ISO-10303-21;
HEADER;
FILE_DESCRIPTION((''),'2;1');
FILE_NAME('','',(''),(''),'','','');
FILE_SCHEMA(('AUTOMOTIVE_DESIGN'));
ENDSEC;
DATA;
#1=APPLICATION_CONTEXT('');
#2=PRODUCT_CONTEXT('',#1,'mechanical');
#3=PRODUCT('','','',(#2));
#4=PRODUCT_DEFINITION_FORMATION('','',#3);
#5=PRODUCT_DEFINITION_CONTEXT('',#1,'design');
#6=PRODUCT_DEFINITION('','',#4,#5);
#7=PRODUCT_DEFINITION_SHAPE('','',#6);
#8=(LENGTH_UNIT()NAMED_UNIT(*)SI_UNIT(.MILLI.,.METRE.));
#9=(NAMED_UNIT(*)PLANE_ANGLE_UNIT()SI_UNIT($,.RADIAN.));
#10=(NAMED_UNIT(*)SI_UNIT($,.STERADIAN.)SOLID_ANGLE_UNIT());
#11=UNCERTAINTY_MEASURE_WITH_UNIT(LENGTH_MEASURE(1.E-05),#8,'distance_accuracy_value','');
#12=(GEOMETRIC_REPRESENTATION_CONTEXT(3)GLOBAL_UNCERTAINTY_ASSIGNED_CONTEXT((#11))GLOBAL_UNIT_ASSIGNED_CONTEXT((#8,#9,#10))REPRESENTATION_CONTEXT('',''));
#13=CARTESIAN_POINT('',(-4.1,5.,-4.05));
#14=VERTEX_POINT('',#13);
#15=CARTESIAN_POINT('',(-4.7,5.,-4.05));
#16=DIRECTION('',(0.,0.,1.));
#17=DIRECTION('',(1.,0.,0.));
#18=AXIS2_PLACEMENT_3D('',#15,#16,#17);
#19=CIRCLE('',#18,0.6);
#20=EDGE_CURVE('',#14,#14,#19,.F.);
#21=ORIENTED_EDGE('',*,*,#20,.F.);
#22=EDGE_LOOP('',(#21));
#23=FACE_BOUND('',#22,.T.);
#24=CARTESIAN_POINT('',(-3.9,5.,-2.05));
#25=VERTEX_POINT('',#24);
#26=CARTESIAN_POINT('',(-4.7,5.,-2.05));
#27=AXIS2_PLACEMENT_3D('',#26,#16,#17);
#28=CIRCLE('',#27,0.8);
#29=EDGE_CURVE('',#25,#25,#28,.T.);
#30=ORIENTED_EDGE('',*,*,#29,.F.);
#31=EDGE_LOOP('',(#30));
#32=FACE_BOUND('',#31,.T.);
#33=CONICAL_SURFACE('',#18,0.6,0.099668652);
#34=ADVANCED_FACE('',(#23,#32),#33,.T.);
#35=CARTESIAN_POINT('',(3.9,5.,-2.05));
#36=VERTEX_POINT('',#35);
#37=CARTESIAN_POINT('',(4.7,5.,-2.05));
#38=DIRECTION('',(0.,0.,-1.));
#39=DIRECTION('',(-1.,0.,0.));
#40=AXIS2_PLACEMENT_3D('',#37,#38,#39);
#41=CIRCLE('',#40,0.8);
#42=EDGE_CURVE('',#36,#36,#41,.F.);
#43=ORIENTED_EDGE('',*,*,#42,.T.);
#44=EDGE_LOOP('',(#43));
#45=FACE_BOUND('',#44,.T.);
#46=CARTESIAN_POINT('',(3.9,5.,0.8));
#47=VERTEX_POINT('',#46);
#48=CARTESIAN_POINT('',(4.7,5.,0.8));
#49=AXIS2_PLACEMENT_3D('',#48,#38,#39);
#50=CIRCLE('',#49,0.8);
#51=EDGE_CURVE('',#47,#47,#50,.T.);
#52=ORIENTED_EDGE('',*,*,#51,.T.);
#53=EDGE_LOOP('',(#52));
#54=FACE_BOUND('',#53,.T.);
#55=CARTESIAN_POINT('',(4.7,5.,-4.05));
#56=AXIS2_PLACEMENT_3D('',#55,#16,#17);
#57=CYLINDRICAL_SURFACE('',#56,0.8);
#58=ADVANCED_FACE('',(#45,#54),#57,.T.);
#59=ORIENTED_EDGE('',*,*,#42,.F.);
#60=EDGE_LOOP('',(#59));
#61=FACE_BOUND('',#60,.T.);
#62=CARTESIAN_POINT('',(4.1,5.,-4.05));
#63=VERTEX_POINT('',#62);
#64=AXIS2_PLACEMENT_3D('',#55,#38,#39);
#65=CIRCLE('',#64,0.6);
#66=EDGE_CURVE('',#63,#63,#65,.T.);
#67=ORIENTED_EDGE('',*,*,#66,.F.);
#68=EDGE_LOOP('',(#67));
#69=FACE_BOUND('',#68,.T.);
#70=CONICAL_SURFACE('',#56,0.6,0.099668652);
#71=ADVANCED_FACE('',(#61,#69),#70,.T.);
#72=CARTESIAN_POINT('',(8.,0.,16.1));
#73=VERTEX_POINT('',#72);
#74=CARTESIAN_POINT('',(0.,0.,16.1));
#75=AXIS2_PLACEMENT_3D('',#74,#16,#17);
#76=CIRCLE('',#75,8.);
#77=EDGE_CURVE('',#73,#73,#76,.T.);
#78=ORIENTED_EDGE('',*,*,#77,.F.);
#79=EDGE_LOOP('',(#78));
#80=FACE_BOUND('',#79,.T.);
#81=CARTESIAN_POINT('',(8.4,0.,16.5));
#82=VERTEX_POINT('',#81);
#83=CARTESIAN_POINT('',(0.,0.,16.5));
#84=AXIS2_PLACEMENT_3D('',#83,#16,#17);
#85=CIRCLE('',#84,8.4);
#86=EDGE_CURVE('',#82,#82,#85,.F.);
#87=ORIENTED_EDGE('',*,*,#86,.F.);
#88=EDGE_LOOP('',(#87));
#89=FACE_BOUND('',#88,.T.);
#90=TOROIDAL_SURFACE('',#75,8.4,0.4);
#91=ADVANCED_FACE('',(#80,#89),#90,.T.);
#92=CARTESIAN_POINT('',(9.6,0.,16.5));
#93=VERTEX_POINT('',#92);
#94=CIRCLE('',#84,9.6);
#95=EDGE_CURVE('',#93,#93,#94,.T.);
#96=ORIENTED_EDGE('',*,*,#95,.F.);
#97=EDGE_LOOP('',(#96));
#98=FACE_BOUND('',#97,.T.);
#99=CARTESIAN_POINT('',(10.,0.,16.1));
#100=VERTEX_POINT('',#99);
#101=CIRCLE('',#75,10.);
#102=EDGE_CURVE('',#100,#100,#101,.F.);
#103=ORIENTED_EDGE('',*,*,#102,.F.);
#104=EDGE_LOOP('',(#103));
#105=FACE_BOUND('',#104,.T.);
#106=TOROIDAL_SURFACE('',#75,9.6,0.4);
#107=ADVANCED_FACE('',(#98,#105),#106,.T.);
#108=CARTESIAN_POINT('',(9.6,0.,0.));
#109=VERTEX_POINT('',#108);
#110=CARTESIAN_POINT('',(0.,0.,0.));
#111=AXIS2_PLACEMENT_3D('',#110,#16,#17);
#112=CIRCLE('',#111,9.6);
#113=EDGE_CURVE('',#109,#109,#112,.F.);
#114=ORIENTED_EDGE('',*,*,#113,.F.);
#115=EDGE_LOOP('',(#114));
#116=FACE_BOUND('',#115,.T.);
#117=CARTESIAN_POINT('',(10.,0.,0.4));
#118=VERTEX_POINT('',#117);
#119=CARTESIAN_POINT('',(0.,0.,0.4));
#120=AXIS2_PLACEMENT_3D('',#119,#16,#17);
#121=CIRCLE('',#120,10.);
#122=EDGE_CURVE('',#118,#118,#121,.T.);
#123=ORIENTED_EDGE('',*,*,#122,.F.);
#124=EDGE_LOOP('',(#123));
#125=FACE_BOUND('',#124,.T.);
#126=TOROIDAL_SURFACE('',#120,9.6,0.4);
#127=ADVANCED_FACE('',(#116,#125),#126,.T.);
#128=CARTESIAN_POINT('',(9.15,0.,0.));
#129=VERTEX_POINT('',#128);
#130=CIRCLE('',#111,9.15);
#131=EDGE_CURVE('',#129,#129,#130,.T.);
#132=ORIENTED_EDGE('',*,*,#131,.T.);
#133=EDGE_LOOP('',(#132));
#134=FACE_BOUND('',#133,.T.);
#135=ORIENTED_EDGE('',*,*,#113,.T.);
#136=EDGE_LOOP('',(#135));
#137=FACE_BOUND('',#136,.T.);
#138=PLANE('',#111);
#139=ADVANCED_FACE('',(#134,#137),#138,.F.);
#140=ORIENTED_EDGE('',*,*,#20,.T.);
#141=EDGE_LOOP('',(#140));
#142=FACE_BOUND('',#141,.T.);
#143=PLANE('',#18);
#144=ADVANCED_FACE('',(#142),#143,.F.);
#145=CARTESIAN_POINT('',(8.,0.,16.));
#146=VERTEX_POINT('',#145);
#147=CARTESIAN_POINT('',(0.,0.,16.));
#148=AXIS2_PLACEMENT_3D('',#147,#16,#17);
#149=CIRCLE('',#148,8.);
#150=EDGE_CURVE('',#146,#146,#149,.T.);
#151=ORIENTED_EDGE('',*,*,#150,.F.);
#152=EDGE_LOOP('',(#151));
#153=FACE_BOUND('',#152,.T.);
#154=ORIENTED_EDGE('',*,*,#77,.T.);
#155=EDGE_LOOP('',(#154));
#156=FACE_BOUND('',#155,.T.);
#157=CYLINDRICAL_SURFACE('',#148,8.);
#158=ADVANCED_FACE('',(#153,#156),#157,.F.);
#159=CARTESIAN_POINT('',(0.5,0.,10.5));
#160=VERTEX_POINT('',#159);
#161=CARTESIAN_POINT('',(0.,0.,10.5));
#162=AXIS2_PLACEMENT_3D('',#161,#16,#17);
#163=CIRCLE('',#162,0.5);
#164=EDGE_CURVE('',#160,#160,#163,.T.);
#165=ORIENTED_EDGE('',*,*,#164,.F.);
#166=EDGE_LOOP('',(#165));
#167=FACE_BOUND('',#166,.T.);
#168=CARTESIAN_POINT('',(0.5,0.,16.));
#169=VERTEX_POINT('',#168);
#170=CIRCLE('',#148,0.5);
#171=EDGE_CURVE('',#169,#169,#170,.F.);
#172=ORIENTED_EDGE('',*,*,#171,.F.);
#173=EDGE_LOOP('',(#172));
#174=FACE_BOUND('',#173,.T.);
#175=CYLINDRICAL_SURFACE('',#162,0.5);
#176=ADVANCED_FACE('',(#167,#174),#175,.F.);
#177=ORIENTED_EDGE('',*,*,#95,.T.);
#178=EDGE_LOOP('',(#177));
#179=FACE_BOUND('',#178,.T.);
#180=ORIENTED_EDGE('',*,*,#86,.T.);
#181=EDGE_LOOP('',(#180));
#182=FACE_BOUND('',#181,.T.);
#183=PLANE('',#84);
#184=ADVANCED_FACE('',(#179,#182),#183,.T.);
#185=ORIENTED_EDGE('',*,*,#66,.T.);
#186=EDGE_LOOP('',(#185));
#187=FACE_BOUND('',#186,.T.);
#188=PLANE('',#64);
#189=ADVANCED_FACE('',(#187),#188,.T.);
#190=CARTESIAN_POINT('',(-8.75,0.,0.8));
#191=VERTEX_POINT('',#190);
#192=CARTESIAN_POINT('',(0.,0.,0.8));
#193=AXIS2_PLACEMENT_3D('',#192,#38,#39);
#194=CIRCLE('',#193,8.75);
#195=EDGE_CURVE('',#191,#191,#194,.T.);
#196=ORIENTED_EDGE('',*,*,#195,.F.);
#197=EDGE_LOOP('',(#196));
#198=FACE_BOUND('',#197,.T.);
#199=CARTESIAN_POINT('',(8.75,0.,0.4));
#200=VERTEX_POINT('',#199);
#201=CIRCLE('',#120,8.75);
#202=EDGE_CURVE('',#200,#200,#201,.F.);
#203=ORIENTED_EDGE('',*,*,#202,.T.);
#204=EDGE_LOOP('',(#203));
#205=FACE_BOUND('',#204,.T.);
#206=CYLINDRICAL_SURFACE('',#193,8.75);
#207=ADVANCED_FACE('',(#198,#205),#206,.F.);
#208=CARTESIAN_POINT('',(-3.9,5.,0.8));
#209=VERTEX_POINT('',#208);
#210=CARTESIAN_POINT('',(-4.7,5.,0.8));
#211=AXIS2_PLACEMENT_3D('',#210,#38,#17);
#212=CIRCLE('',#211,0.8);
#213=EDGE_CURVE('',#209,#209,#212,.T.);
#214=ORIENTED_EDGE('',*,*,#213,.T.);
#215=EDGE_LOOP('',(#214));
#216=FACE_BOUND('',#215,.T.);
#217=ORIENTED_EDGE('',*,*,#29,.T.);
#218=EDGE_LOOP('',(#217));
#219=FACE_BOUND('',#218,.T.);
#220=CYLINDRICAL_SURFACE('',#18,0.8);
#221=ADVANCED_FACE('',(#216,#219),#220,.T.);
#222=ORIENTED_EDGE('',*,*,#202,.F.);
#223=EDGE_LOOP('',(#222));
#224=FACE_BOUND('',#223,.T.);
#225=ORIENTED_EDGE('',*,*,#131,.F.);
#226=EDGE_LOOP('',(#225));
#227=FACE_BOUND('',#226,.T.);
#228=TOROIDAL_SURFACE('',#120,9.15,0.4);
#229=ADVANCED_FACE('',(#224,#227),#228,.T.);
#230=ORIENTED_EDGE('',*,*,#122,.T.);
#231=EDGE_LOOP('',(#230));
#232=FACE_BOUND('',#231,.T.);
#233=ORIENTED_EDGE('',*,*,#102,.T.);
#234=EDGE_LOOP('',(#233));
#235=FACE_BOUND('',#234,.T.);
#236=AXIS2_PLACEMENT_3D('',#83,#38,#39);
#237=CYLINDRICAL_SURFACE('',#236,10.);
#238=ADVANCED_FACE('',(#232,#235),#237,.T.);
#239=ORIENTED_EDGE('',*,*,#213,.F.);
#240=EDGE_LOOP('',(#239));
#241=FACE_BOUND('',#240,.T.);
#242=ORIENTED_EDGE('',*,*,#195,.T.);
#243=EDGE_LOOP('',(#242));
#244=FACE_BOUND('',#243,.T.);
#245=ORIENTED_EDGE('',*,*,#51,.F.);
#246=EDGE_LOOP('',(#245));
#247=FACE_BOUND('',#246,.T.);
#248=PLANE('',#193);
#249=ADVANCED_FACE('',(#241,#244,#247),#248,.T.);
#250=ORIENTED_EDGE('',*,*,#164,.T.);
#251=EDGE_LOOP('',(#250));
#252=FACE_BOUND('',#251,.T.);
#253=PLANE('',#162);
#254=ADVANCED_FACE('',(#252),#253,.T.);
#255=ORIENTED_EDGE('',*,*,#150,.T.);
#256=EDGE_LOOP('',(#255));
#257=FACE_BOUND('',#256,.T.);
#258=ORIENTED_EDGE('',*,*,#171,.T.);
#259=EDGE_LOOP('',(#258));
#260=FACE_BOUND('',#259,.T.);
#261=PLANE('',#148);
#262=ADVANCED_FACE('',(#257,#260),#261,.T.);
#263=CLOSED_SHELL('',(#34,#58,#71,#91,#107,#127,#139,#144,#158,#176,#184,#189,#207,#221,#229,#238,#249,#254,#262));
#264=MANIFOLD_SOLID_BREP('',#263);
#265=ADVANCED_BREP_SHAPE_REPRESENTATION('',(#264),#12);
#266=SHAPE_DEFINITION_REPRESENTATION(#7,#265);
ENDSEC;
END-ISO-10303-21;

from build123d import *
from OCP.BRepFilletAPI import BRepFilletAPI_MakeChamfer

# Parameters (mm, degrees)
SKETCH_1_R          = 10
EXTRUDE_1_DEPTH     = 16.5
SKETCH_2_R          = 0.5
CUT_EXTRUDE_1_DEPTH = 6
SKETCH_3_R          = 8
CUT_EXTRUDE_2_DEPTH = 0.5
SKETCH_4_R          = 8.75
CUT_EXTRUDE_3_DEPTH = 0.8
SKETCH_5_R          = 0.8
EXTRUDE_2_DEPTH     = 4.85
CHAMFER_1_SIZE      = 2
CHAMFER_1_SIZE2     = 0.2
FILLET_1_R          = 0.4


with BuildPart() as part:
    # Эскиз1 → Бобышка-Вытянуть1 (new body)
    with BuildSketch(Plane.XY):
        Circle(SKETCH_1_R)
    extrude(amount=EXTRUDE_1_DEPTH)

    # Эскиз2 → Вырез-Вытянуть1 (cut)
    with BuildSketch(Plane.XY.offset(16.5)):
        Circle(SKETCH_2_R)
    extrude(amount=-CUT_EXTRUDE_1_DEPTH, mode=Mode.SUBTRACT)

    # Эскиз3 → Вырез-Вытянуть2 (cut)
    with BuildSketch(Plane.XY.offset(16.5)):
        Circle(SKETCH_3_R)
    extrude(amount=-CUT_EXTRUDE_2_DEPTH, mode=Mode.SUBTRACT)

    # Эскиз4 → Вырез-Вытянуть3 (cut)
    with BuildSketch(Plane(origin=(0, 0, 0), x_dir=(-1, 0, 0), z_dir=(0, 0, -1))):
        Circle(SKETCH_4_R)
    extrude(amount=-CUT_EXTRUDE_3_DEPTH, mode=Mode.SUBTRACT)

    # Эскиз5 → Бобышка-Вытянуть2 (add)
    with BuildSketch(Plane(origin=(0, 0, 0.8), x_dir=(-1, 0, 0), z_dir=(0, 0, -1))):
        with Locations((-4.7, 5)):
            Circle(SKETCH_5_R)
        with Locations(Location((4.7, 5, 0), (0, 0, 180))):
            Circle(SKETCH_5_R)
    extrude(amount=EXTRUDE_2_DEPTH)

    # Фаска1: one chamfer whose edges measure the first distance from different faces: ONE call of the kernel's chamfer builder (chamfer() names one face for all edges)
    chamfer_1_edges_1 = [part.edges().sort_by_distance(p)[0] for p in [
        (5.5, 5, -4.05),
    ]]
    chamfer_1_side_1 = [part.faces().sort_by_distance(p)[0] for p in [
        (5.5, 5, -1.625),
    ]]
    chamfer_1_edges_2 = [part.edges().sort_by_distance(p)[0] for p in [
        (-5.5, 5, -4.05),
    ]]
    chamfer_1_side_2 = [part.faces().sort_by_distance(p)[0] for p in [
        (-5.5, 5, -1.625),
    ]]
    chamfer_1 = BRepFilletAPI_MakeChamfer(part.part.solid().wrapped)
    for e in chamfer_1_edges_1:
        chamfer_1.Add(CHAMFER_1_SIZE, CHAMFER_1_SIZE2, e.wrapped, chamfer_1_side_1[0].wrapped)  # the first distance lies on this face
    for e in chamfer_1_edges_2:
        chamfer_1.Add(CHAMFER_1_SIZE, CHAMFER_1_SIZE2, e.wrapped, chamfer_1_side_2[0].wrapped)  # the first distance lies on this face
    add(Compound.cast(chamfer_1.Shape()), mode=Mode.REPLACE)

    # Скругление1
    fillet_1_edges = [part.edges().sort_by_distance(p)[0] for p in [
        (-8, 0, 16.5),
        (-10, 0, 0),
        (8.75, 0, 0),
        (-10, 0, 16.5),
    ]]
    fillet(fillet_1_edges, radius=FILLET_1_R)


solid = part.part
